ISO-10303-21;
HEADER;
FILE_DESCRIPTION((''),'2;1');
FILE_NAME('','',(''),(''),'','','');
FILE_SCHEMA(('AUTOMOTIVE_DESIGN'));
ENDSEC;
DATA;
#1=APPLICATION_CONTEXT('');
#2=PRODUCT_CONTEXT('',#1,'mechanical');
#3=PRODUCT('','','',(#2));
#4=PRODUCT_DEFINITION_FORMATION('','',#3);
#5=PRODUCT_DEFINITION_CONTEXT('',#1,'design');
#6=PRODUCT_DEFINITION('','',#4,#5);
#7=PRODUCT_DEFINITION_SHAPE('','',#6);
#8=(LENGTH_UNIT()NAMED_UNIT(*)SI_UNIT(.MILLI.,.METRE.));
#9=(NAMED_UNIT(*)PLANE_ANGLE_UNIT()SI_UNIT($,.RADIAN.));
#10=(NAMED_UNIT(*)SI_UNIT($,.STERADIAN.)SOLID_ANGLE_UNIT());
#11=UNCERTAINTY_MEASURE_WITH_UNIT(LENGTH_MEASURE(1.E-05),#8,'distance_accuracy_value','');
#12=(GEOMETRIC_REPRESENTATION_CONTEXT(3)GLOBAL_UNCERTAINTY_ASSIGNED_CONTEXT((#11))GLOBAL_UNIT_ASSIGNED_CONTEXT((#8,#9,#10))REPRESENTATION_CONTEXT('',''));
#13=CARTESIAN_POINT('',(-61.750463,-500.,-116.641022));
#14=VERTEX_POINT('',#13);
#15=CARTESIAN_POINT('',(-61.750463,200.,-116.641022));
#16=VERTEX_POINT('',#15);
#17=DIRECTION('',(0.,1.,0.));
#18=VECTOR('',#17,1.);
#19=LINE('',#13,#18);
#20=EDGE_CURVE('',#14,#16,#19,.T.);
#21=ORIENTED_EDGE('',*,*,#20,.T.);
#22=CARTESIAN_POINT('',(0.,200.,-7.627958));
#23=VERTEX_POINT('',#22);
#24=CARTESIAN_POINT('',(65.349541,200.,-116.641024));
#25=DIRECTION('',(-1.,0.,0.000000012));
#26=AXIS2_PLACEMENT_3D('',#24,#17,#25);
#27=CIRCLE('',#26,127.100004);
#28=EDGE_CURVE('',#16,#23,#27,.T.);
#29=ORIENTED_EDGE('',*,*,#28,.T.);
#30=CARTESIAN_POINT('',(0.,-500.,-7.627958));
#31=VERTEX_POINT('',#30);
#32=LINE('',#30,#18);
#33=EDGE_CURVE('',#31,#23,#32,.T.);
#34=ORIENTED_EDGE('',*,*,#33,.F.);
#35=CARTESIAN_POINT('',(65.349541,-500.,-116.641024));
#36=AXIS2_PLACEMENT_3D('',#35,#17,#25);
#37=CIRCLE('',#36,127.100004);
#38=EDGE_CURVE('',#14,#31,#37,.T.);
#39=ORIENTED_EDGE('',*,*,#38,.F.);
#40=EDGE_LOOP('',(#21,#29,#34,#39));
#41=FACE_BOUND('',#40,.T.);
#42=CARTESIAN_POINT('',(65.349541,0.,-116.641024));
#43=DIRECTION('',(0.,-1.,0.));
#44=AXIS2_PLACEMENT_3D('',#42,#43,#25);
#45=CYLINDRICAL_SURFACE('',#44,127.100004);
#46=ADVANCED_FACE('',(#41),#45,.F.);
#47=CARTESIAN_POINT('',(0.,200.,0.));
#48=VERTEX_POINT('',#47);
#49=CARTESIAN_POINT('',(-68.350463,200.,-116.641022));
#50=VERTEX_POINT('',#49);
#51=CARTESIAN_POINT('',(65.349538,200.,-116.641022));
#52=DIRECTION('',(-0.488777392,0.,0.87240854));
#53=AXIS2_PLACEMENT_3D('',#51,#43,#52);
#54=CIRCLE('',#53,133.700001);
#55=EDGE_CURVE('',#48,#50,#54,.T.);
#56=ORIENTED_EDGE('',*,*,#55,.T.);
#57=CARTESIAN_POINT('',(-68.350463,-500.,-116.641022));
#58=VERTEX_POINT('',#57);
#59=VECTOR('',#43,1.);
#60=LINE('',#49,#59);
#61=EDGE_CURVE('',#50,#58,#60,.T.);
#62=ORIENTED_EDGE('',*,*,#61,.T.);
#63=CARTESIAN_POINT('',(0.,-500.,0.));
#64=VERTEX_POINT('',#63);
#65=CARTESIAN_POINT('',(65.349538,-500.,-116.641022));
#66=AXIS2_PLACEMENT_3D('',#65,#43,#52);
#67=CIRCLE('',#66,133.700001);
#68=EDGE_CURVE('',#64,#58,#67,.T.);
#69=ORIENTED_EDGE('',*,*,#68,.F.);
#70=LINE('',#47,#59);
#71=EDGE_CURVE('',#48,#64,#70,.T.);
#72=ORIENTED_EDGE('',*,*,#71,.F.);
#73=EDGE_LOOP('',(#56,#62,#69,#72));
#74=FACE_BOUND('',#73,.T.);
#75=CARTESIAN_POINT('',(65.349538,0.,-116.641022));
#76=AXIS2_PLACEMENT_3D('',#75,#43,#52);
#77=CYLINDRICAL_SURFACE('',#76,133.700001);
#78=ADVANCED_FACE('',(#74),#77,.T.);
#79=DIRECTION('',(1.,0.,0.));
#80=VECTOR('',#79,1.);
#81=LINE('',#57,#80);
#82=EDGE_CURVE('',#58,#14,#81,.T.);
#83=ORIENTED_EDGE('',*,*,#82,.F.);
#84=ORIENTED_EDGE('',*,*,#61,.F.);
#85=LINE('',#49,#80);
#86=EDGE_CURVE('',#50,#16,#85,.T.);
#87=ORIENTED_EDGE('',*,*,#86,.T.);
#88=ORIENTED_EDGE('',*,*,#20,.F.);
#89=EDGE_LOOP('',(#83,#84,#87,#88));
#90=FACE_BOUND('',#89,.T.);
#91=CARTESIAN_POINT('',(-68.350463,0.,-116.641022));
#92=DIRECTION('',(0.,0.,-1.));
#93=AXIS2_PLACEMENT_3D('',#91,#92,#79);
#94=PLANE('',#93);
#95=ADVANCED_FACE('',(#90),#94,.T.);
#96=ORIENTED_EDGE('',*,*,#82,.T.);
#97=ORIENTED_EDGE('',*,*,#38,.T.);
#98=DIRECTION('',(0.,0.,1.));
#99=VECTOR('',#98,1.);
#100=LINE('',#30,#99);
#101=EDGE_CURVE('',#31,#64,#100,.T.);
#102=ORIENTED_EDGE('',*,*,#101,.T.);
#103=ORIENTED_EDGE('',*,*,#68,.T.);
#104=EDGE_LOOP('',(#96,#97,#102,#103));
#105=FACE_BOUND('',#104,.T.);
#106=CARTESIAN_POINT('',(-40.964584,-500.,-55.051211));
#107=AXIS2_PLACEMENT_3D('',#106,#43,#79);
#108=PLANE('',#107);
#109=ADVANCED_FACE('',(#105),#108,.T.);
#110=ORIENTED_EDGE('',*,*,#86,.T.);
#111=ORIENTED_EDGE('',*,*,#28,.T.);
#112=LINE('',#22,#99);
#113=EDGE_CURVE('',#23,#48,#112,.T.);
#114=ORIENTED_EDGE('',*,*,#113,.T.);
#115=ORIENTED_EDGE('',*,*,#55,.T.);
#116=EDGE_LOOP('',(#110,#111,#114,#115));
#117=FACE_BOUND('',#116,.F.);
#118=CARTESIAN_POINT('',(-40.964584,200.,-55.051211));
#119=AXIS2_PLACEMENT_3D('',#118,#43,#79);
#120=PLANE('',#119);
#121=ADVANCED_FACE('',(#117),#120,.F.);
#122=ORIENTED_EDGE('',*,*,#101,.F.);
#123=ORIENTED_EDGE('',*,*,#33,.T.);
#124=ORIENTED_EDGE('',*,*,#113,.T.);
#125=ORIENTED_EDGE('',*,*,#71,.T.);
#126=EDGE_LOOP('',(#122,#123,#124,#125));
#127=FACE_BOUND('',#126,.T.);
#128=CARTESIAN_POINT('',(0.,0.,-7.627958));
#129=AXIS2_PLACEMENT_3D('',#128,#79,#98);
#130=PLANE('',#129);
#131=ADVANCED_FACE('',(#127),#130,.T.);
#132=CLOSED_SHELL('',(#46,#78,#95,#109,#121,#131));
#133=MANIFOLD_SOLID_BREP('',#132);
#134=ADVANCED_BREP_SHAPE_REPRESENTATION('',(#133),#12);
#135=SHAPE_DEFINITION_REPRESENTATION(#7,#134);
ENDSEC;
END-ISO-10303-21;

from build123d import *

# Parameters (mm, degrees)
F1_DEPTH      = 500
F1_DEPTH_BACK = 200


with BuildPart() as f1:
    # F0 (on Front) → F1 (new body, two sides)
    with BuildSketch(Plane.XZ) as f1_sk:
        with BuildLine():
            Line((0, -7.627958), (0, 0))
            ThreePointArc((0, 0), (-50.0041, -49.044954), (-68.350463, -116.641022))
            Line((-68.350463, -116.641022), (-61.750463, -116.641022))
            ThreePointArc((-61.750463, -116.641022), (-45.240553, -53.997252), (0, -7.627958))
        make_face()
    extrude(amount=F1_DEPTH)
    extrude(f1_sk.sketch, amount=-F1_DEPTH_BACK)


solid = f1.part
